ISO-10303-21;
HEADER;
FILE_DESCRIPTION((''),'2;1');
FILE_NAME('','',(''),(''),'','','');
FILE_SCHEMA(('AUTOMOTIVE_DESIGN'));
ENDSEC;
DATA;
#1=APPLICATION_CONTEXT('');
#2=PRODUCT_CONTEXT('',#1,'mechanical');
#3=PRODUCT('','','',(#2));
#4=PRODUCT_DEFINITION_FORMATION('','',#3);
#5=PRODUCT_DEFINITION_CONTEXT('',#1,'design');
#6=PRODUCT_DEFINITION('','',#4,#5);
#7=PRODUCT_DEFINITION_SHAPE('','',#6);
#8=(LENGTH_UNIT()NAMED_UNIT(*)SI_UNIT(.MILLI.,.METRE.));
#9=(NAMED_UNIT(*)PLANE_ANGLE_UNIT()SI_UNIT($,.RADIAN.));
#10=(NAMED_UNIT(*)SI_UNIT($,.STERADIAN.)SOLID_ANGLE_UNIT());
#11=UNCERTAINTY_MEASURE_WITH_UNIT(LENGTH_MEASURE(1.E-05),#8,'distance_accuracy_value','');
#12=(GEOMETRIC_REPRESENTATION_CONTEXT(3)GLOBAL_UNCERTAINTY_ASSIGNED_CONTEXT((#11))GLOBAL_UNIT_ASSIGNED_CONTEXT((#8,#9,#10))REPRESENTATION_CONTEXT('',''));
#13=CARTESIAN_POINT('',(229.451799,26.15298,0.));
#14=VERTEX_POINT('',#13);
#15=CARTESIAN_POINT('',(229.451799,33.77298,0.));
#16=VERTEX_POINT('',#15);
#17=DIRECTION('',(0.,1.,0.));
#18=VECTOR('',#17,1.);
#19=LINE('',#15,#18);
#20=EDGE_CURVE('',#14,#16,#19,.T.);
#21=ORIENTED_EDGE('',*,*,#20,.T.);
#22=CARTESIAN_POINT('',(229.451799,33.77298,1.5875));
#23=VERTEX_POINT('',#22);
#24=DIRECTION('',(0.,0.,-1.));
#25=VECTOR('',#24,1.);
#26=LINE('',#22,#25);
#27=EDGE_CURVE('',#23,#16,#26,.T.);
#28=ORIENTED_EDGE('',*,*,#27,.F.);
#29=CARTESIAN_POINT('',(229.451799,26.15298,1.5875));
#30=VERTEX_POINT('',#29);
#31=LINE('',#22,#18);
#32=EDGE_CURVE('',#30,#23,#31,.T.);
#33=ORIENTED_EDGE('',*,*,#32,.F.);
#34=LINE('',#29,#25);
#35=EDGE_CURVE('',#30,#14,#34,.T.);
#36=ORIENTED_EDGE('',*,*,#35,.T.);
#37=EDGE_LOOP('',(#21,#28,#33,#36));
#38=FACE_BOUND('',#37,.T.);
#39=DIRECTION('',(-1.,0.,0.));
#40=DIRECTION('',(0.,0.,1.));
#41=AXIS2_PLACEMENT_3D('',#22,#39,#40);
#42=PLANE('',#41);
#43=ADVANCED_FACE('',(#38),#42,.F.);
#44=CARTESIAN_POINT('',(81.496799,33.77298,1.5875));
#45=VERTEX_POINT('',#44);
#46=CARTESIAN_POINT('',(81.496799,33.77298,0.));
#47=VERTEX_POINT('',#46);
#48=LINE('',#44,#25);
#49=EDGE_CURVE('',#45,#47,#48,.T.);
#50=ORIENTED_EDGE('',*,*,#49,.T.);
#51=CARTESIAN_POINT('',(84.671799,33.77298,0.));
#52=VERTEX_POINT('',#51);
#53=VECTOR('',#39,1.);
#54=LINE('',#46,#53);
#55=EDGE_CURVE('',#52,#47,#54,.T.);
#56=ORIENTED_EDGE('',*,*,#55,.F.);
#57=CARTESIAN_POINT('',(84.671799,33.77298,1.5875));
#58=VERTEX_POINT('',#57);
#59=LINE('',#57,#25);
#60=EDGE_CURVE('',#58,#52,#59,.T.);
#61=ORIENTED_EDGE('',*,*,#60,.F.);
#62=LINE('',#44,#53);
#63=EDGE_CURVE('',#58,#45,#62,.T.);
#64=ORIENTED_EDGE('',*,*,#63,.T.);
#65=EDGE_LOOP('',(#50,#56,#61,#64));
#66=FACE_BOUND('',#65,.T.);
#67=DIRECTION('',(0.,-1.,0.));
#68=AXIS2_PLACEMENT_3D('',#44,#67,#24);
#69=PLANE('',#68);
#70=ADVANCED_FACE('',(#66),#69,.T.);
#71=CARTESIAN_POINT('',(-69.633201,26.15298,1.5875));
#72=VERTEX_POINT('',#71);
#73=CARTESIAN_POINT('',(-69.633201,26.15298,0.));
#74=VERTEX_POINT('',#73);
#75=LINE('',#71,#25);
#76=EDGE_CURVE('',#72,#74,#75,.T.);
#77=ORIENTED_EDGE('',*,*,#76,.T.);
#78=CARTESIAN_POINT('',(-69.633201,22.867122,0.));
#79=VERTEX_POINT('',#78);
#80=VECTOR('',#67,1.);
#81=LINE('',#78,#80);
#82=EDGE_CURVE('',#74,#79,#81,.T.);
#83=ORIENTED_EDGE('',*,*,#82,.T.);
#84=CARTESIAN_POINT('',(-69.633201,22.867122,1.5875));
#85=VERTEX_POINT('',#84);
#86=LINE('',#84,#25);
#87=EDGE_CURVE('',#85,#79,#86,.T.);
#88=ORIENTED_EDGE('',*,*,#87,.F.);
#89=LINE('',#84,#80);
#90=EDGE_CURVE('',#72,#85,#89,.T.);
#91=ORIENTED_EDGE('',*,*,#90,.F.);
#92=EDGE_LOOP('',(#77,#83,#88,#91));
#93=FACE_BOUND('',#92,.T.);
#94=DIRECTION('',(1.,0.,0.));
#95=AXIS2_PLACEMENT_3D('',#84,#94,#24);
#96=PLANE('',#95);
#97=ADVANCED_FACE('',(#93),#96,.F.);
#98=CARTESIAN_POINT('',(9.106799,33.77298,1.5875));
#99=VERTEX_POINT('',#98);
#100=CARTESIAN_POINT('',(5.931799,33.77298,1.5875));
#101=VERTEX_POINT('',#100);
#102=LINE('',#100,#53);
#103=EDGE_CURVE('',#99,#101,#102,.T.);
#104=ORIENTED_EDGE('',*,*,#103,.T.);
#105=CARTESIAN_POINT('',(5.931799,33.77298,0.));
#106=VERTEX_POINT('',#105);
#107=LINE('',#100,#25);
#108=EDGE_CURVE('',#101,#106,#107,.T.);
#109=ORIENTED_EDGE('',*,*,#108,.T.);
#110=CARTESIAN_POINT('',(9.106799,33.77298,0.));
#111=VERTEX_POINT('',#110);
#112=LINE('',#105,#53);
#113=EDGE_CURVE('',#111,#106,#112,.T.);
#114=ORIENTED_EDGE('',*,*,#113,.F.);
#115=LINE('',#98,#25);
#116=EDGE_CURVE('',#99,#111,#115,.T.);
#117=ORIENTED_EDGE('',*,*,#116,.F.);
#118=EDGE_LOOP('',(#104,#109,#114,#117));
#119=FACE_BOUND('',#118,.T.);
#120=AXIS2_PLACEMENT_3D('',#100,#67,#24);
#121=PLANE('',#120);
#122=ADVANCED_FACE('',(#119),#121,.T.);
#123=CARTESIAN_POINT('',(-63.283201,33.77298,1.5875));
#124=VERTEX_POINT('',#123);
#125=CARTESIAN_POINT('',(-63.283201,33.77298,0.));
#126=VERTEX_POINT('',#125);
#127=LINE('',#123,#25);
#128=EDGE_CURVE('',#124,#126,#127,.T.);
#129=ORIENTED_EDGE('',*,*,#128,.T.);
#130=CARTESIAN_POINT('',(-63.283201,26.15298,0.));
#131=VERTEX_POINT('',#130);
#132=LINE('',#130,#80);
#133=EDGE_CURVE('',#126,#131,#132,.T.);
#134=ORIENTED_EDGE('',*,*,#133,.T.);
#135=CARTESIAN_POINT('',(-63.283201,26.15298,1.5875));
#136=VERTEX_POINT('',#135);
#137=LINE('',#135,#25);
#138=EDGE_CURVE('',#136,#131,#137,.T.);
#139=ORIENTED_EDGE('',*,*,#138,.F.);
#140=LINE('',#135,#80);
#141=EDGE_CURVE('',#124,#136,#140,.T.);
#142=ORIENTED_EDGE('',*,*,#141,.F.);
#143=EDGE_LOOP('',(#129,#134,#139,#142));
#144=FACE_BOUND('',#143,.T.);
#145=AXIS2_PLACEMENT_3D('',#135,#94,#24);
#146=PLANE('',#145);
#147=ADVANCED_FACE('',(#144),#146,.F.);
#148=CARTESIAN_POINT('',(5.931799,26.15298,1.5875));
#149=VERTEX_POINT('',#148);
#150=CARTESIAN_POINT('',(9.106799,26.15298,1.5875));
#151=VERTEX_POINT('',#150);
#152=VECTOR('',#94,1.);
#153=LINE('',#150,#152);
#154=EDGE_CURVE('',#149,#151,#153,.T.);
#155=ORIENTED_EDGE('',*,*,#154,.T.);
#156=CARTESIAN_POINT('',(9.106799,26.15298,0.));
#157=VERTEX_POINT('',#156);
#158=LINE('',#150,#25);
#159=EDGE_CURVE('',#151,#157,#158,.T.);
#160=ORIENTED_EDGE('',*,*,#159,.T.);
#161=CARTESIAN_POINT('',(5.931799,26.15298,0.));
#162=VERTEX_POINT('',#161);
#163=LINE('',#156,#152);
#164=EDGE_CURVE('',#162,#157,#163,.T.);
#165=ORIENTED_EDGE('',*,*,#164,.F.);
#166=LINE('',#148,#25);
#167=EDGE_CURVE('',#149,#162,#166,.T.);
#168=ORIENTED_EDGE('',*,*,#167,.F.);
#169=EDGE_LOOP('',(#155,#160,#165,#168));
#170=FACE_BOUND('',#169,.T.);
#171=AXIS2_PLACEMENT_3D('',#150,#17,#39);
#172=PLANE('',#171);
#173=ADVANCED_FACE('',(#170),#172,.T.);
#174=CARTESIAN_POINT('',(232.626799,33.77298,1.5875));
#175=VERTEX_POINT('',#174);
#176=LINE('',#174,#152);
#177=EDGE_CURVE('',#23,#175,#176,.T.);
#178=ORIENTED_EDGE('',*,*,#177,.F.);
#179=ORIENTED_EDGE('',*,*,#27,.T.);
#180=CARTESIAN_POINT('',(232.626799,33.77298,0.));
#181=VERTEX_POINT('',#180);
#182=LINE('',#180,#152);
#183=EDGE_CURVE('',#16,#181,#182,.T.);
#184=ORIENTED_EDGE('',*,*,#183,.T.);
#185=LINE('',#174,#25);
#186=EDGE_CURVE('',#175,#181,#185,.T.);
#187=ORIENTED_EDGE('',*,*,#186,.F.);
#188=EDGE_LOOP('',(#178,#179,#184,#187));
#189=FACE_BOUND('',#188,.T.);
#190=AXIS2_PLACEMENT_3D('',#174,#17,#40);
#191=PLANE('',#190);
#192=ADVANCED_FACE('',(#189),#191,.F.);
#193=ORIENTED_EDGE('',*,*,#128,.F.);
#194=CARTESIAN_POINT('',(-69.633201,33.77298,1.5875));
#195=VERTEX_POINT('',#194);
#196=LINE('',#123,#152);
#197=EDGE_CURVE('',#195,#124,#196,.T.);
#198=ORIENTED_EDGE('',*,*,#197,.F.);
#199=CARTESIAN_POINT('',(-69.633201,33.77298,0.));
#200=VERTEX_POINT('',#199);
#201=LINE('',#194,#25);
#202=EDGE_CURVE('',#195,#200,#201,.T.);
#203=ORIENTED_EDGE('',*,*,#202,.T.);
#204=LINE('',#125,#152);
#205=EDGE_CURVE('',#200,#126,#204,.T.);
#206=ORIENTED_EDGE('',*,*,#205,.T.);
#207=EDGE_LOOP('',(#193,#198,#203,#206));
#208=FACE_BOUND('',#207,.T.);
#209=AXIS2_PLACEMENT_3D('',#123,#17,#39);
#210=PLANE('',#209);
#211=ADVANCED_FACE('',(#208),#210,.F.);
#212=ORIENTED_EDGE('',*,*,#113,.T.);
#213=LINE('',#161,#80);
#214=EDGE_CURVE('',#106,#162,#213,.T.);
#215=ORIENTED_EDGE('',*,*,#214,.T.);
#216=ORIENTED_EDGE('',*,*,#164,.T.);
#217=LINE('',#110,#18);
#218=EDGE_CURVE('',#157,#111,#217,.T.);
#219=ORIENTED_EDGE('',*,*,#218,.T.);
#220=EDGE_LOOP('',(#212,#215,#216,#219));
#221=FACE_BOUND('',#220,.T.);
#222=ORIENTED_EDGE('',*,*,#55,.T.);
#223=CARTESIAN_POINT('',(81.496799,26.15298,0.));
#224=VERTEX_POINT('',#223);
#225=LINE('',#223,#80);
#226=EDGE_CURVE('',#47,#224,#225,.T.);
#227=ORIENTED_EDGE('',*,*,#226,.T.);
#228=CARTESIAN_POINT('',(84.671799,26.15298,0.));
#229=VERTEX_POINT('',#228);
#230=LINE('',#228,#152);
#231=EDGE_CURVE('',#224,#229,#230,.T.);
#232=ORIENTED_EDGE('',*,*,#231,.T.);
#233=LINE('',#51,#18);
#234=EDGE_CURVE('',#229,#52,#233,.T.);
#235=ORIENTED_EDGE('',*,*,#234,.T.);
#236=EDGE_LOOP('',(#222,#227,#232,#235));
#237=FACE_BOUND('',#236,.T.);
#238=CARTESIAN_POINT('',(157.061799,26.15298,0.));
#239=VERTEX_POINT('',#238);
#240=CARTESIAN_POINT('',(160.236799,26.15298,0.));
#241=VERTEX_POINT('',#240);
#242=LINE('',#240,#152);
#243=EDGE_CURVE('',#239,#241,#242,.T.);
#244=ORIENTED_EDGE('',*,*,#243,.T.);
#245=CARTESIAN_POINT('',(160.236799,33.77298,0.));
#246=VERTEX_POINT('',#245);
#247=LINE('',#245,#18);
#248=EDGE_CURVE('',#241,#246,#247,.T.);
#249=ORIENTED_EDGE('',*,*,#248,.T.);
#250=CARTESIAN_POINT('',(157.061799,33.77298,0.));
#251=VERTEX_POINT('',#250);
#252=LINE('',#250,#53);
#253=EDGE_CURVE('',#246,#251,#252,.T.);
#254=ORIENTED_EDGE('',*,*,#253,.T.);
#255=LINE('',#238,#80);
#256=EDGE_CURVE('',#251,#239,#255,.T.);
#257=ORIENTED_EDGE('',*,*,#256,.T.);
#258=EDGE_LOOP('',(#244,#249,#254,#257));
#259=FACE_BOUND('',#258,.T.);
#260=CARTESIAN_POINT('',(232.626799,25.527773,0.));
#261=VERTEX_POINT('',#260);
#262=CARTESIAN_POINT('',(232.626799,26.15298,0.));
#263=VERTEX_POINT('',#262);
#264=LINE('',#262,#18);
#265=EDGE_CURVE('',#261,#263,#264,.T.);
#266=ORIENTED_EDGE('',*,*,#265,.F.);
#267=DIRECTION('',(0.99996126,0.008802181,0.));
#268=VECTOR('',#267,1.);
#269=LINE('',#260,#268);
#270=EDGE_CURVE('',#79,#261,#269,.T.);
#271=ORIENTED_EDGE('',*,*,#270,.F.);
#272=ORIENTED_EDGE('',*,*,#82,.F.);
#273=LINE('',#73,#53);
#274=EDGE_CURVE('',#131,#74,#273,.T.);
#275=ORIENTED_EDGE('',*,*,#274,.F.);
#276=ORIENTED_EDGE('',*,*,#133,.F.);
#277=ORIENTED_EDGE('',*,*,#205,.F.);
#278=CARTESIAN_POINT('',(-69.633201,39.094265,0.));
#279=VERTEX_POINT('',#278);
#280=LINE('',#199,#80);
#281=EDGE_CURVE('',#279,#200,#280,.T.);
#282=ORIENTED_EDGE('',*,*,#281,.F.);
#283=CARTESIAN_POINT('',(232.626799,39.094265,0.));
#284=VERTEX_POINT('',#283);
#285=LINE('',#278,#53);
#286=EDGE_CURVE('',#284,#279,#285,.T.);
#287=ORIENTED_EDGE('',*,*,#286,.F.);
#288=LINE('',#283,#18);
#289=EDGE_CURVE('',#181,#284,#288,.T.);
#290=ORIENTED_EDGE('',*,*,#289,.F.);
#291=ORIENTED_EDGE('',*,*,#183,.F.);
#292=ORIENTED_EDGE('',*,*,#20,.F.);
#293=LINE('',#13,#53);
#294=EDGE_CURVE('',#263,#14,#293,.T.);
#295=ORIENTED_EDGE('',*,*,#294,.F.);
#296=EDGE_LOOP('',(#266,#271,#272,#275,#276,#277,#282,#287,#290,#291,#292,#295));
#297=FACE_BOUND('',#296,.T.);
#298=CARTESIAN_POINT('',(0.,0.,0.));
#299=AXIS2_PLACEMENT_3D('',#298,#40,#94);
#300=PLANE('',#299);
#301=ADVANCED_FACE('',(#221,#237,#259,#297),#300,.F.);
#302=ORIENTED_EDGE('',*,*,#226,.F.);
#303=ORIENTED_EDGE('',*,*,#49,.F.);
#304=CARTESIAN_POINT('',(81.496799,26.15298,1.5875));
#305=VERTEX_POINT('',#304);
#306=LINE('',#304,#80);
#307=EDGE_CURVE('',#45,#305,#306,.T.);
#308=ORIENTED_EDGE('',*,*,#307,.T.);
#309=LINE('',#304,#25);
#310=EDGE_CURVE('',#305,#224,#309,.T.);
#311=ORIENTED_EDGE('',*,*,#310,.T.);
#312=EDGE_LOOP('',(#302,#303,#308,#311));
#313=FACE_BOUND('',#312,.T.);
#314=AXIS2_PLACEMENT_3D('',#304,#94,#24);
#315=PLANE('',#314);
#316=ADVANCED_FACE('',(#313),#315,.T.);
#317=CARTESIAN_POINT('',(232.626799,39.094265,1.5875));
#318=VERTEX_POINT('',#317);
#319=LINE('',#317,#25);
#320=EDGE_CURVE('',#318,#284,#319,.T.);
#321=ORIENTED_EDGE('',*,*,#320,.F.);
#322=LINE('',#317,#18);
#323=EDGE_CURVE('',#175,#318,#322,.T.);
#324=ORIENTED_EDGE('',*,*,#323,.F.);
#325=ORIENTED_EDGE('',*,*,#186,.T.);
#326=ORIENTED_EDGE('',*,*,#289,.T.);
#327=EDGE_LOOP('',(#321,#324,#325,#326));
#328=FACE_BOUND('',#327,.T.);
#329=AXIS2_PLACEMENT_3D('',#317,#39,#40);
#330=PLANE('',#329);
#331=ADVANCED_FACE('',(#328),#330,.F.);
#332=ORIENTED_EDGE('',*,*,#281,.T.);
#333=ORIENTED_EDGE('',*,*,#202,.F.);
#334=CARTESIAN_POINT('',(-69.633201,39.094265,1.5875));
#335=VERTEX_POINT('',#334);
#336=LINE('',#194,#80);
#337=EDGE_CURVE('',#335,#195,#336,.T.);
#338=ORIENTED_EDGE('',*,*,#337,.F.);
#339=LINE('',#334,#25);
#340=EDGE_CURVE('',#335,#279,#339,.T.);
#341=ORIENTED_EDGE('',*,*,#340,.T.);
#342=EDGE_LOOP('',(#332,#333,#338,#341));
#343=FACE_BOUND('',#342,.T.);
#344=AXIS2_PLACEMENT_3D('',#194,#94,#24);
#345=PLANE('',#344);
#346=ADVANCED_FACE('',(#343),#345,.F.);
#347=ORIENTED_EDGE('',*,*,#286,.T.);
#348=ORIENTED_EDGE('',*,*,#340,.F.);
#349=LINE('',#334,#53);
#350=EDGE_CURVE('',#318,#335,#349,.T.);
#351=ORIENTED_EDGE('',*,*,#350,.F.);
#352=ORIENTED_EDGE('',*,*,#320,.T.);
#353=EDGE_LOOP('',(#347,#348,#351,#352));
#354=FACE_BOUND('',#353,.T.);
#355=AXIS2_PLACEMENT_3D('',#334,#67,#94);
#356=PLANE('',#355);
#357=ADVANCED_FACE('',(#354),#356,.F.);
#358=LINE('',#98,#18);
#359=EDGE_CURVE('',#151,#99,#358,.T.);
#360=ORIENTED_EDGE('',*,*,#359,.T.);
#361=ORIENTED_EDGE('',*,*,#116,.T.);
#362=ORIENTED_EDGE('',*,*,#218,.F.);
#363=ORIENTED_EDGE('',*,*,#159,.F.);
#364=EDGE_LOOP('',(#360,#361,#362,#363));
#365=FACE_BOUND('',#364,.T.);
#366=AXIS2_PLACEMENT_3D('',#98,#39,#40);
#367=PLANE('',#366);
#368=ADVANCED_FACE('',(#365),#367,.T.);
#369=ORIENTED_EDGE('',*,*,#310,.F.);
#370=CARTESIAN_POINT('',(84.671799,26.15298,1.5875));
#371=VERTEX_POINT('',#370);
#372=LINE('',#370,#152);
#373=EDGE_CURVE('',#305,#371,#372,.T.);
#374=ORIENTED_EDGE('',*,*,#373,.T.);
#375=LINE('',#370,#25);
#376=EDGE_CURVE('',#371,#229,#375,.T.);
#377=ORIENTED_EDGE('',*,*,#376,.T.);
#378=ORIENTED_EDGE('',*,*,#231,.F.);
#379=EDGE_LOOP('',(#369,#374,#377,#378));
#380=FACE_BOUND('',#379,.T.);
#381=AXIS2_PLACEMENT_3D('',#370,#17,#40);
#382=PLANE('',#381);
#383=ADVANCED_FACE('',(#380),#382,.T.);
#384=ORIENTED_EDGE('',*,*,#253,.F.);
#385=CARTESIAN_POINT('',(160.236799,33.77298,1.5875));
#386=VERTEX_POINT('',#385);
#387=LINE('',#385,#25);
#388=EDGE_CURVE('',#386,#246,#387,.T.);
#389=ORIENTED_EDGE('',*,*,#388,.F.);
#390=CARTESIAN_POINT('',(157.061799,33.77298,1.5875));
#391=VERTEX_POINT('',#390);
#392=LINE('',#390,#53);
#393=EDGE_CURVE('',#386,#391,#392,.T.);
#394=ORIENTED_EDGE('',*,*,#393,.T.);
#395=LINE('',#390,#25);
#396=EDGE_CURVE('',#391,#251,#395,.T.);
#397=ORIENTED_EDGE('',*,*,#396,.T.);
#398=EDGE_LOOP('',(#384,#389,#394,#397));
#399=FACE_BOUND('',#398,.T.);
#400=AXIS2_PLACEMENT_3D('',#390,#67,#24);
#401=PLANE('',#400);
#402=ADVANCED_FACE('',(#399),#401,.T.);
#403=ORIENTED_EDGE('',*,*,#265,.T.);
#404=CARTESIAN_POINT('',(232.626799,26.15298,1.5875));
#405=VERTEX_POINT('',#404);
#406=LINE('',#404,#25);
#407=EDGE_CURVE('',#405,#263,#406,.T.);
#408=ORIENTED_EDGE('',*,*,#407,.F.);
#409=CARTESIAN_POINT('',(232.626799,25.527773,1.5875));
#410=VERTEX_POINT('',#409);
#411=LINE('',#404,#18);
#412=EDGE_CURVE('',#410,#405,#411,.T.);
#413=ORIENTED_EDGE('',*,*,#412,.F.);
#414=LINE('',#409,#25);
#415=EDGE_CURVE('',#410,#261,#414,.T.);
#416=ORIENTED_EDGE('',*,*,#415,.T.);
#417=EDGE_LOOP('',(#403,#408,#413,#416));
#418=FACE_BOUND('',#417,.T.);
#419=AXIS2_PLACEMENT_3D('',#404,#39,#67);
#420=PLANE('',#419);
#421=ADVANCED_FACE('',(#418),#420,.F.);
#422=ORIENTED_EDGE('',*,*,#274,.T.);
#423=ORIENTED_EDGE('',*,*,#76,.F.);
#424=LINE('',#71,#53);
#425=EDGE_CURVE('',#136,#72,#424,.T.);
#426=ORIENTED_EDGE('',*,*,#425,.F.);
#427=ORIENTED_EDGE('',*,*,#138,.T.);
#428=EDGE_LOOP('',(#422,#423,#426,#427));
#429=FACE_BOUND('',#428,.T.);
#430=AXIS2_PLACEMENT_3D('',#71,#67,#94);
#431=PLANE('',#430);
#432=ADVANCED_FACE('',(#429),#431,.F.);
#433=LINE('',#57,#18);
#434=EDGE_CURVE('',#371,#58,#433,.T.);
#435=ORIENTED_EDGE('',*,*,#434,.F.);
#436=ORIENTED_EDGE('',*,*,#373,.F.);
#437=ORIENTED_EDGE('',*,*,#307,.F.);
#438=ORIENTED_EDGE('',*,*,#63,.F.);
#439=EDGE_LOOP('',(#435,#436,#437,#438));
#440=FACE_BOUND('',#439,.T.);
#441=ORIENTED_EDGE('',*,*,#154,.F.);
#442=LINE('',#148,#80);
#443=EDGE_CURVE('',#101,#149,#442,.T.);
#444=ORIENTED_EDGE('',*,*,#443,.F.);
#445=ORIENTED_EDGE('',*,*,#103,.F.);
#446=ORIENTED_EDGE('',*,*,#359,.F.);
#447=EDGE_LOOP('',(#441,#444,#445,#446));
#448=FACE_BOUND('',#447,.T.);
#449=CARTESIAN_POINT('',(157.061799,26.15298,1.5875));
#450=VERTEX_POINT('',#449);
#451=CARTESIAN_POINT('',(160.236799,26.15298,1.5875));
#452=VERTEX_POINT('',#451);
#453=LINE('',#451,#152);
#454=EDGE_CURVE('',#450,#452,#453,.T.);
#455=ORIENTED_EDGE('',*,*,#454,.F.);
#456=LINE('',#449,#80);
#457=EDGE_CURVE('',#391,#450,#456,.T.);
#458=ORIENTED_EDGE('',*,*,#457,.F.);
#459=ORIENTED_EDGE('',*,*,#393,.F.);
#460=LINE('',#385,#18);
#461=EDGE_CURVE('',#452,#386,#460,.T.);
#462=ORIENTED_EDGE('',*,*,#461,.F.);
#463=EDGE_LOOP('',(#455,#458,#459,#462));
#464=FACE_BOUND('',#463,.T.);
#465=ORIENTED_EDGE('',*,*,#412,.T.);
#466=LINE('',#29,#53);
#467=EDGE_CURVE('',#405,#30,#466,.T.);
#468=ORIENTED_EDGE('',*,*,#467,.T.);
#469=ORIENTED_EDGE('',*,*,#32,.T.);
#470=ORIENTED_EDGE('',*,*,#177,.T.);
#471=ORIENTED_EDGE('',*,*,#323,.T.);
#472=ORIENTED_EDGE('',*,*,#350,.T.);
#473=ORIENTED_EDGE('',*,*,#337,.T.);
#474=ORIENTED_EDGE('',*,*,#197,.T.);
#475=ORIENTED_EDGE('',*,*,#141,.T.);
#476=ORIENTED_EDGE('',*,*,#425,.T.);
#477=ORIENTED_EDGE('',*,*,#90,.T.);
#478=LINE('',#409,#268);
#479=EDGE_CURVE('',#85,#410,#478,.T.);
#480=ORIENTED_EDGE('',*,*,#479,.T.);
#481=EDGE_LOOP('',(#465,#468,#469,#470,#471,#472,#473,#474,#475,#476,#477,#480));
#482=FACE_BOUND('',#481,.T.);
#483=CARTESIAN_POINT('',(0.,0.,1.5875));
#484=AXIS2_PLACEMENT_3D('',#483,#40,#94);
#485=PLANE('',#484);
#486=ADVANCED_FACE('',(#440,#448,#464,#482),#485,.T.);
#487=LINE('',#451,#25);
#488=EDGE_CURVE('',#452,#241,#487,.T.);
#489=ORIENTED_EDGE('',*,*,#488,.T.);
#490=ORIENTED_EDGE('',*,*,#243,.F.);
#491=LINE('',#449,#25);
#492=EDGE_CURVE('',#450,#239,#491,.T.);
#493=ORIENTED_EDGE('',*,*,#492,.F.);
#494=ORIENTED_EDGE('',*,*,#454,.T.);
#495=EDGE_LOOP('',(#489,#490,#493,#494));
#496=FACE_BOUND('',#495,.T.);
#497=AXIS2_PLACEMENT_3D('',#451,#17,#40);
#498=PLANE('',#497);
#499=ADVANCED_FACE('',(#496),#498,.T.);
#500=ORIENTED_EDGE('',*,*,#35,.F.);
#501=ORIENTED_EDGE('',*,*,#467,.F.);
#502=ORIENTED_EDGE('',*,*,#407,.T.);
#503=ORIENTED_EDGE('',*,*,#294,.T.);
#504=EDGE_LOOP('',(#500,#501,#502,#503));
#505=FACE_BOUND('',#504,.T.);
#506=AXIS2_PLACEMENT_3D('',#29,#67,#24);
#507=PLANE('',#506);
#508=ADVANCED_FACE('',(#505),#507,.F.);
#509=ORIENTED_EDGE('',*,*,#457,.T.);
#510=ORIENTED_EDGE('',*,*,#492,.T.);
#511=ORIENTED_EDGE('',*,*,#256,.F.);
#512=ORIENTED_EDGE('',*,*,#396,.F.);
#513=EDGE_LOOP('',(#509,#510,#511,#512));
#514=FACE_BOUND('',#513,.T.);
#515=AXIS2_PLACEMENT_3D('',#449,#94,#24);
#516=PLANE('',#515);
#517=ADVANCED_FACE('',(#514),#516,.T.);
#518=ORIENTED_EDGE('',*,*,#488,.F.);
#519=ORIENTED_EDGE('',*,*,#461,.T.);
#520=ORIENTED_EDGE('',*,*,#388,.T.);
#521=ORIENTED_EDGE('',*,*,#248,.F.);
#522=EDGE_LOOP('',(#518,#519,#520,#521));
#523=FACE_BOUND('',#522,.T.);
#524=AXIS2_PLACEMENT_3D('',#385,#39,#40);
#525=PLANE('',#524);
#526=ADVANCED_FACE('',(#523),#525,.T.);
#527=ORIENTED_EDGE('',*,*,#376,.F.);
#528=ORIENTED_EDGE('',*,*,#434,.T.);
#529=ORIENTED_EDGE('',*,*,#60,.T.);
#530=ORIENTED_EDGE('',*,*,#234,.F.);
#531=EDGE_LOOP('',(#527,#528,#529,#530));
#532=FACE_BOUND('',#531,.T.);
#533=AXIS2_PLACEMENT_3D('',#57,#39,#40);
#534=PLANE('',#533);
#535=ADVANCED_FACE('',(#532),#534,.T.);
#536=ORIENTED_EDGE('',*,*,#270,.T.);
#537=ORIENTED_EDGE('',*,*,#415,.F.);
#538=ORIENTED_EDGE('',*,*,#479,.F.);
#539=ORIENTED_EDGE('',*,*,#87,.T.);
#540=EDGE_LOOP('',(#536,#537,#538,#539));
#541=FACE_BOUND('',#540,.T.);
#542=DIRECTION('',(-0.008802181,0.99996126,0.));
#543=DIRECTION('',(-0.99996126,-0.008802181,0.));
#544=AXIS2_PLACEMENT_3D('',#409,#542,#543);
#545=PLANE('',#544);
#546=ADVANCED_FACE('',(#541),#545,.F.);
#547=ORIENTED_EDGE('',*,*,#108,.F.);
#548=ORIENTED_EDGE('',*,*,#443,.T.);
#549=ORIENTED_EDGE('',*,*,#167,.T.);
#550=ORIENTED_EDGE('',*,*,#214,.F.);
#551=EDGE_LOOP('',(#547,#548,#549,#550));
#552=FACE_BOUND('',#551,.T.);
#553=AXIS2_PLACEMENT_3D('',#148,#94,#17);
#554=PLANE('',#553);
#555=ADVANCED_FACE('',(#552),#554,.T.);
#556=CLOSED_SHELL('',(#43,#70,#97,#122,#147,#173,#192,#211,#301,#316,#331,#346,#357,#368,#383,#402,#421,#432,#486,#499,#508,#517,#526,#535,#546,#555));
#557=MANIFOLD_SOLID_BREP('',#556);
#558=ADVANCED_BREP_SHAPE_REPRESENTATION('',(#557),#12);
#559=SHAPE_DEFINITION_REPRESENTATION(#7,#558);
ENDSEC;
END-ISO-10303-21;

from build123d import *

# Parameters (mm, degrees)
SKETCH1_W           = 3.175
SKETCH1_H           = 7.62
BOSS_EXTRUDE1_DEPTH = 1.5875


with BuildPart() as part:
    # Sketch1 → Boss-Extrude1 (new body)
    with BuildSketch(Plane.XY):
        Polygon((232.626798958, 25.527772685), (-69.633201042, 22.867122461), (-69.633201042, 26.152979633), (-63.283201042, 26.152979633), (-63.283201042, 33.772979633), (-69.633201042, 33.772979633), (-69.633201042, 39.09426549), (232.626798958, 39.09426549), (232.626798958, 33.772979633), (229.451798958, 33.772979633), (229.451798958, 26.152979633), (232.626798958, 26.152979633), align=None)
        with Locations((158.649298958, 29.962979633)):
            Rectangle(SKETCH1_W, SKETCH1_H, mode=Mode.SUBTRACT)
        with Locations((83.084298958, 29.962979633)):
            Rectangle(SKETCH1_W, SKETCH1_H, mode=Mode.SUBTRACT)
        with Locations((7.519298958, 29.962979633)):
            Rectangle(SKETCH1_W, SKETCH1_H, mode=Mode.SUBTRACT)
    extrude(amount=BOSS_EXTRUDE1_DEPTH)


solid = part.part
